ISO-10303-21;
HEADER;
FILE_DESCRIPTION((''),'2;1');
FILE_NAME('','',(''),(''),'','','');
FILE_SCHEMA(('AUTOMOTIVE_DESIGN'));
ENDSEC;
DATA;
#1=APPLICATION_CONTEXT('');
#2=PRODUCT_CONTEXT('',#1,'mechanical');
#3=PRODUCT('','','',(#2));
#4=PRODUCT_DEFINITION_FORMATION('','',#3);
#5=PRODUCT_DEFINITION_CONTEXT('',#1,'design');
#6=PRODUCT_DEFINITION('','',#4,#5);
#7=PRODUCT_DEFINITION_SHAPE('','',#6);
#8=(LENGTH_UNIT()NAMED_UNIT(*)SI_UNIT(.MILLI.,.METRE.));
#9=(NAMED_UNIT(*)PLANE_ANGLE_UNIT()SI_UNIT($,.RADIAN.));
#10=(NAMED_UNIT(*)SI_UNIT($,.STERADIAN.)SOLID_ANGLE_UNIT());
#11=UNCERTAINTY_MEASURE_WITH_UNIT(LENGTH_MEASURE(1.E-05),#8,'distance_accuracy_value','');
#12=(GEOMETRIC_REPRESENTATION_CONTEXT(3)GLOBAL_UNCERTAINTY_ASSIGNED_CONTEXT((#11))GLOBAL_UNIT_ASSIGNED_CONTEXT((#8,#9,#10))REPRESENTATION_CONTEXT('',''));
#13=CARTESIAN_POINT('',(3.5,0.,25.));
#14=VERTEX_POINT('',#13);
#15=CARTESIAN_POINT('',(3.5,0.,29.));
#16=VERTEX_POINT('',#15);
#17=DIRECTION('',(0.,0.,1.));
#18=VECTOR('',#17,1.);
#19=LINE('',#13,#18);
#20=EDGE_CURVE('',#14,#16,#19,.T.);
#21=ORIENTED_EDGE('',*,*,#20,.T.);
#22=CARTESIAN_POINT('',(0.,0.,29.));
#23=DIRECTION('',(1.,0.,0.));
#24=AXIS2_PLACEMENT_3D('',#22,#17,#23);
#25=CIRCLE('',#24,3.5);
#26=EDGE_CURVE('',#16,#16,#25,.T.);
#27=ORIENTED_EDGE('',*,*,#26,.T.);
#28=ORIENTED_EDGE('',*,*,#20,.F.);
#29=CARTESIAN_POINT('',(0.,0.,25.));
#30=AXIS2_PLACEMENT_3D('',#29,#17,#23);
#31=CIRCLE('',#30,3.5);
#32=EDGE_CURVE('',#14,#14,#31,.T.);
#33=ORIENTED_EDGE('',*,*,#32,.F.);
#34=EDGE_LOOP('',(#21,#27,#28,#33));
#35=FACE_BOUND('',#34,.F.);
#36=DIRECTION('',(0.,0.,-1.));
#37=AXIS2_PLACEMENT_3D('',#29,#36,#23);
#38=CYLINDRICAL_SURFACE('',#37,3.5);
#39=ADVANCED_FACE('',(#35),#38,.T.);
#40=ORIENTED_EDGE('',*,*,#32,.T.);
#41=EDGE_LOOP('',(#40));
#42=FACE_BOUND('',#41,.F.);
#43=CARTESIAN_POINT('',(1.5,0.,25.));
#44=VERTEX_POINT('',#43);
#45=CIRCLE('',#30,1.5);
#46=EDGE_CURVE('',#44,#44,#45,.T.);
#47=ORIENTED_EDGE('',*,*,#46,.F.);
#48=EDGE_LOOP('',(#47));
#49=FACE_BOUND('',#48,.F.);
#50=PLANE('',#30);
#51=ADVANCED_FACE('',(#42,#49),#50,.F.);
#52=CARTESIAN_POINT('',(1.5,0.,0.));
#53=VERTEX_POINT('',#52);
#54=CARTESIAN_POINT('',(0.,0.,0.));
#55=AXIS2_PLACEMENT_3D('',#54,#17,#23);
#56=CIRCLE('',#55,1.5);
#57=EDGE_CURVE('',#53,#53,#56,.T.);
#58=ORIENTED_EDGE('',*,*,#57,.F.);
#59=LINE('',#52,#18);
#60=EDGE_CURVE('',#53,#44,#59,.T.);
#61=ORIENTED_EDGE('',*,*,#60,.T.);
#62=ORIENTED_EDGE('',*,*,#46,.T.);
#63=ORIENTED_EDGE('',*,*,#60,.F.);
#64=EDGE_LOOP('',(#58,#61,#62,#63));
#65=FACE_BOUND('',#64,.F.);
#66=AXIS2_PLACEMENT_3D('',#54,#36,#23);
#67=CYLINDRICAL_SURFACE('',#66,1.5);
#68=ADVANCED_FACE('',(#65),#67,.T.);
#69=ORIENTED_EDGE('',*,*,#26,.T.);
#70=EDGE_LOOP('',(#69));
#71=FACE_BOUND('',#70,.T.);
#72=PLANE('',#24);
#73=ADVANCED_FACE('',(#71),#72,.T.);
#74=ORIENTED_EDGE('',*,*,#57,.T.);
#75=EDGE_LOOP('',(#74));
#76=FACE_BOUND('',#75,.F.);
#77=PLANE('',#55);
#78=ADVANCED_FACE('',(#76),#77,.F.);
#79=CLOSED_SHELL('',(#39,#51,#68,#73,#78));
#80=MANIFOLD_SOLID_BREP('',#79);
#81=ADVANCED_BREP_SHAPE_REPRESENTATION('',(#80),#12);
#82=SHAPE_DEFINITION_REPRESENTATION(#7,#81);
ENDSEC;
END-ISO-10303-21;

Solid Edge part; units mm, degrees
sketch "Sketch1" plane through (60.3162, 60.3162, 0) normal (0, 0, 1) x (1, 0, 0)
  circle A0 centre (-60.3162, -60.3162) radius 1.5
extrude "Protrusion1" add sketch "Sketch1" along normal blind 25
sketch "Sketch2" plane through (0, 0, 25) normal (0, 0, 1) x (1, 0, 0)
  circle A0 centre (0, 0) radius 3.5
extrude "Extrusionsausprägung_2" add sketch "Sketch2" along normal blind 4
cosmetic_thread "Thread1" size "M3"
